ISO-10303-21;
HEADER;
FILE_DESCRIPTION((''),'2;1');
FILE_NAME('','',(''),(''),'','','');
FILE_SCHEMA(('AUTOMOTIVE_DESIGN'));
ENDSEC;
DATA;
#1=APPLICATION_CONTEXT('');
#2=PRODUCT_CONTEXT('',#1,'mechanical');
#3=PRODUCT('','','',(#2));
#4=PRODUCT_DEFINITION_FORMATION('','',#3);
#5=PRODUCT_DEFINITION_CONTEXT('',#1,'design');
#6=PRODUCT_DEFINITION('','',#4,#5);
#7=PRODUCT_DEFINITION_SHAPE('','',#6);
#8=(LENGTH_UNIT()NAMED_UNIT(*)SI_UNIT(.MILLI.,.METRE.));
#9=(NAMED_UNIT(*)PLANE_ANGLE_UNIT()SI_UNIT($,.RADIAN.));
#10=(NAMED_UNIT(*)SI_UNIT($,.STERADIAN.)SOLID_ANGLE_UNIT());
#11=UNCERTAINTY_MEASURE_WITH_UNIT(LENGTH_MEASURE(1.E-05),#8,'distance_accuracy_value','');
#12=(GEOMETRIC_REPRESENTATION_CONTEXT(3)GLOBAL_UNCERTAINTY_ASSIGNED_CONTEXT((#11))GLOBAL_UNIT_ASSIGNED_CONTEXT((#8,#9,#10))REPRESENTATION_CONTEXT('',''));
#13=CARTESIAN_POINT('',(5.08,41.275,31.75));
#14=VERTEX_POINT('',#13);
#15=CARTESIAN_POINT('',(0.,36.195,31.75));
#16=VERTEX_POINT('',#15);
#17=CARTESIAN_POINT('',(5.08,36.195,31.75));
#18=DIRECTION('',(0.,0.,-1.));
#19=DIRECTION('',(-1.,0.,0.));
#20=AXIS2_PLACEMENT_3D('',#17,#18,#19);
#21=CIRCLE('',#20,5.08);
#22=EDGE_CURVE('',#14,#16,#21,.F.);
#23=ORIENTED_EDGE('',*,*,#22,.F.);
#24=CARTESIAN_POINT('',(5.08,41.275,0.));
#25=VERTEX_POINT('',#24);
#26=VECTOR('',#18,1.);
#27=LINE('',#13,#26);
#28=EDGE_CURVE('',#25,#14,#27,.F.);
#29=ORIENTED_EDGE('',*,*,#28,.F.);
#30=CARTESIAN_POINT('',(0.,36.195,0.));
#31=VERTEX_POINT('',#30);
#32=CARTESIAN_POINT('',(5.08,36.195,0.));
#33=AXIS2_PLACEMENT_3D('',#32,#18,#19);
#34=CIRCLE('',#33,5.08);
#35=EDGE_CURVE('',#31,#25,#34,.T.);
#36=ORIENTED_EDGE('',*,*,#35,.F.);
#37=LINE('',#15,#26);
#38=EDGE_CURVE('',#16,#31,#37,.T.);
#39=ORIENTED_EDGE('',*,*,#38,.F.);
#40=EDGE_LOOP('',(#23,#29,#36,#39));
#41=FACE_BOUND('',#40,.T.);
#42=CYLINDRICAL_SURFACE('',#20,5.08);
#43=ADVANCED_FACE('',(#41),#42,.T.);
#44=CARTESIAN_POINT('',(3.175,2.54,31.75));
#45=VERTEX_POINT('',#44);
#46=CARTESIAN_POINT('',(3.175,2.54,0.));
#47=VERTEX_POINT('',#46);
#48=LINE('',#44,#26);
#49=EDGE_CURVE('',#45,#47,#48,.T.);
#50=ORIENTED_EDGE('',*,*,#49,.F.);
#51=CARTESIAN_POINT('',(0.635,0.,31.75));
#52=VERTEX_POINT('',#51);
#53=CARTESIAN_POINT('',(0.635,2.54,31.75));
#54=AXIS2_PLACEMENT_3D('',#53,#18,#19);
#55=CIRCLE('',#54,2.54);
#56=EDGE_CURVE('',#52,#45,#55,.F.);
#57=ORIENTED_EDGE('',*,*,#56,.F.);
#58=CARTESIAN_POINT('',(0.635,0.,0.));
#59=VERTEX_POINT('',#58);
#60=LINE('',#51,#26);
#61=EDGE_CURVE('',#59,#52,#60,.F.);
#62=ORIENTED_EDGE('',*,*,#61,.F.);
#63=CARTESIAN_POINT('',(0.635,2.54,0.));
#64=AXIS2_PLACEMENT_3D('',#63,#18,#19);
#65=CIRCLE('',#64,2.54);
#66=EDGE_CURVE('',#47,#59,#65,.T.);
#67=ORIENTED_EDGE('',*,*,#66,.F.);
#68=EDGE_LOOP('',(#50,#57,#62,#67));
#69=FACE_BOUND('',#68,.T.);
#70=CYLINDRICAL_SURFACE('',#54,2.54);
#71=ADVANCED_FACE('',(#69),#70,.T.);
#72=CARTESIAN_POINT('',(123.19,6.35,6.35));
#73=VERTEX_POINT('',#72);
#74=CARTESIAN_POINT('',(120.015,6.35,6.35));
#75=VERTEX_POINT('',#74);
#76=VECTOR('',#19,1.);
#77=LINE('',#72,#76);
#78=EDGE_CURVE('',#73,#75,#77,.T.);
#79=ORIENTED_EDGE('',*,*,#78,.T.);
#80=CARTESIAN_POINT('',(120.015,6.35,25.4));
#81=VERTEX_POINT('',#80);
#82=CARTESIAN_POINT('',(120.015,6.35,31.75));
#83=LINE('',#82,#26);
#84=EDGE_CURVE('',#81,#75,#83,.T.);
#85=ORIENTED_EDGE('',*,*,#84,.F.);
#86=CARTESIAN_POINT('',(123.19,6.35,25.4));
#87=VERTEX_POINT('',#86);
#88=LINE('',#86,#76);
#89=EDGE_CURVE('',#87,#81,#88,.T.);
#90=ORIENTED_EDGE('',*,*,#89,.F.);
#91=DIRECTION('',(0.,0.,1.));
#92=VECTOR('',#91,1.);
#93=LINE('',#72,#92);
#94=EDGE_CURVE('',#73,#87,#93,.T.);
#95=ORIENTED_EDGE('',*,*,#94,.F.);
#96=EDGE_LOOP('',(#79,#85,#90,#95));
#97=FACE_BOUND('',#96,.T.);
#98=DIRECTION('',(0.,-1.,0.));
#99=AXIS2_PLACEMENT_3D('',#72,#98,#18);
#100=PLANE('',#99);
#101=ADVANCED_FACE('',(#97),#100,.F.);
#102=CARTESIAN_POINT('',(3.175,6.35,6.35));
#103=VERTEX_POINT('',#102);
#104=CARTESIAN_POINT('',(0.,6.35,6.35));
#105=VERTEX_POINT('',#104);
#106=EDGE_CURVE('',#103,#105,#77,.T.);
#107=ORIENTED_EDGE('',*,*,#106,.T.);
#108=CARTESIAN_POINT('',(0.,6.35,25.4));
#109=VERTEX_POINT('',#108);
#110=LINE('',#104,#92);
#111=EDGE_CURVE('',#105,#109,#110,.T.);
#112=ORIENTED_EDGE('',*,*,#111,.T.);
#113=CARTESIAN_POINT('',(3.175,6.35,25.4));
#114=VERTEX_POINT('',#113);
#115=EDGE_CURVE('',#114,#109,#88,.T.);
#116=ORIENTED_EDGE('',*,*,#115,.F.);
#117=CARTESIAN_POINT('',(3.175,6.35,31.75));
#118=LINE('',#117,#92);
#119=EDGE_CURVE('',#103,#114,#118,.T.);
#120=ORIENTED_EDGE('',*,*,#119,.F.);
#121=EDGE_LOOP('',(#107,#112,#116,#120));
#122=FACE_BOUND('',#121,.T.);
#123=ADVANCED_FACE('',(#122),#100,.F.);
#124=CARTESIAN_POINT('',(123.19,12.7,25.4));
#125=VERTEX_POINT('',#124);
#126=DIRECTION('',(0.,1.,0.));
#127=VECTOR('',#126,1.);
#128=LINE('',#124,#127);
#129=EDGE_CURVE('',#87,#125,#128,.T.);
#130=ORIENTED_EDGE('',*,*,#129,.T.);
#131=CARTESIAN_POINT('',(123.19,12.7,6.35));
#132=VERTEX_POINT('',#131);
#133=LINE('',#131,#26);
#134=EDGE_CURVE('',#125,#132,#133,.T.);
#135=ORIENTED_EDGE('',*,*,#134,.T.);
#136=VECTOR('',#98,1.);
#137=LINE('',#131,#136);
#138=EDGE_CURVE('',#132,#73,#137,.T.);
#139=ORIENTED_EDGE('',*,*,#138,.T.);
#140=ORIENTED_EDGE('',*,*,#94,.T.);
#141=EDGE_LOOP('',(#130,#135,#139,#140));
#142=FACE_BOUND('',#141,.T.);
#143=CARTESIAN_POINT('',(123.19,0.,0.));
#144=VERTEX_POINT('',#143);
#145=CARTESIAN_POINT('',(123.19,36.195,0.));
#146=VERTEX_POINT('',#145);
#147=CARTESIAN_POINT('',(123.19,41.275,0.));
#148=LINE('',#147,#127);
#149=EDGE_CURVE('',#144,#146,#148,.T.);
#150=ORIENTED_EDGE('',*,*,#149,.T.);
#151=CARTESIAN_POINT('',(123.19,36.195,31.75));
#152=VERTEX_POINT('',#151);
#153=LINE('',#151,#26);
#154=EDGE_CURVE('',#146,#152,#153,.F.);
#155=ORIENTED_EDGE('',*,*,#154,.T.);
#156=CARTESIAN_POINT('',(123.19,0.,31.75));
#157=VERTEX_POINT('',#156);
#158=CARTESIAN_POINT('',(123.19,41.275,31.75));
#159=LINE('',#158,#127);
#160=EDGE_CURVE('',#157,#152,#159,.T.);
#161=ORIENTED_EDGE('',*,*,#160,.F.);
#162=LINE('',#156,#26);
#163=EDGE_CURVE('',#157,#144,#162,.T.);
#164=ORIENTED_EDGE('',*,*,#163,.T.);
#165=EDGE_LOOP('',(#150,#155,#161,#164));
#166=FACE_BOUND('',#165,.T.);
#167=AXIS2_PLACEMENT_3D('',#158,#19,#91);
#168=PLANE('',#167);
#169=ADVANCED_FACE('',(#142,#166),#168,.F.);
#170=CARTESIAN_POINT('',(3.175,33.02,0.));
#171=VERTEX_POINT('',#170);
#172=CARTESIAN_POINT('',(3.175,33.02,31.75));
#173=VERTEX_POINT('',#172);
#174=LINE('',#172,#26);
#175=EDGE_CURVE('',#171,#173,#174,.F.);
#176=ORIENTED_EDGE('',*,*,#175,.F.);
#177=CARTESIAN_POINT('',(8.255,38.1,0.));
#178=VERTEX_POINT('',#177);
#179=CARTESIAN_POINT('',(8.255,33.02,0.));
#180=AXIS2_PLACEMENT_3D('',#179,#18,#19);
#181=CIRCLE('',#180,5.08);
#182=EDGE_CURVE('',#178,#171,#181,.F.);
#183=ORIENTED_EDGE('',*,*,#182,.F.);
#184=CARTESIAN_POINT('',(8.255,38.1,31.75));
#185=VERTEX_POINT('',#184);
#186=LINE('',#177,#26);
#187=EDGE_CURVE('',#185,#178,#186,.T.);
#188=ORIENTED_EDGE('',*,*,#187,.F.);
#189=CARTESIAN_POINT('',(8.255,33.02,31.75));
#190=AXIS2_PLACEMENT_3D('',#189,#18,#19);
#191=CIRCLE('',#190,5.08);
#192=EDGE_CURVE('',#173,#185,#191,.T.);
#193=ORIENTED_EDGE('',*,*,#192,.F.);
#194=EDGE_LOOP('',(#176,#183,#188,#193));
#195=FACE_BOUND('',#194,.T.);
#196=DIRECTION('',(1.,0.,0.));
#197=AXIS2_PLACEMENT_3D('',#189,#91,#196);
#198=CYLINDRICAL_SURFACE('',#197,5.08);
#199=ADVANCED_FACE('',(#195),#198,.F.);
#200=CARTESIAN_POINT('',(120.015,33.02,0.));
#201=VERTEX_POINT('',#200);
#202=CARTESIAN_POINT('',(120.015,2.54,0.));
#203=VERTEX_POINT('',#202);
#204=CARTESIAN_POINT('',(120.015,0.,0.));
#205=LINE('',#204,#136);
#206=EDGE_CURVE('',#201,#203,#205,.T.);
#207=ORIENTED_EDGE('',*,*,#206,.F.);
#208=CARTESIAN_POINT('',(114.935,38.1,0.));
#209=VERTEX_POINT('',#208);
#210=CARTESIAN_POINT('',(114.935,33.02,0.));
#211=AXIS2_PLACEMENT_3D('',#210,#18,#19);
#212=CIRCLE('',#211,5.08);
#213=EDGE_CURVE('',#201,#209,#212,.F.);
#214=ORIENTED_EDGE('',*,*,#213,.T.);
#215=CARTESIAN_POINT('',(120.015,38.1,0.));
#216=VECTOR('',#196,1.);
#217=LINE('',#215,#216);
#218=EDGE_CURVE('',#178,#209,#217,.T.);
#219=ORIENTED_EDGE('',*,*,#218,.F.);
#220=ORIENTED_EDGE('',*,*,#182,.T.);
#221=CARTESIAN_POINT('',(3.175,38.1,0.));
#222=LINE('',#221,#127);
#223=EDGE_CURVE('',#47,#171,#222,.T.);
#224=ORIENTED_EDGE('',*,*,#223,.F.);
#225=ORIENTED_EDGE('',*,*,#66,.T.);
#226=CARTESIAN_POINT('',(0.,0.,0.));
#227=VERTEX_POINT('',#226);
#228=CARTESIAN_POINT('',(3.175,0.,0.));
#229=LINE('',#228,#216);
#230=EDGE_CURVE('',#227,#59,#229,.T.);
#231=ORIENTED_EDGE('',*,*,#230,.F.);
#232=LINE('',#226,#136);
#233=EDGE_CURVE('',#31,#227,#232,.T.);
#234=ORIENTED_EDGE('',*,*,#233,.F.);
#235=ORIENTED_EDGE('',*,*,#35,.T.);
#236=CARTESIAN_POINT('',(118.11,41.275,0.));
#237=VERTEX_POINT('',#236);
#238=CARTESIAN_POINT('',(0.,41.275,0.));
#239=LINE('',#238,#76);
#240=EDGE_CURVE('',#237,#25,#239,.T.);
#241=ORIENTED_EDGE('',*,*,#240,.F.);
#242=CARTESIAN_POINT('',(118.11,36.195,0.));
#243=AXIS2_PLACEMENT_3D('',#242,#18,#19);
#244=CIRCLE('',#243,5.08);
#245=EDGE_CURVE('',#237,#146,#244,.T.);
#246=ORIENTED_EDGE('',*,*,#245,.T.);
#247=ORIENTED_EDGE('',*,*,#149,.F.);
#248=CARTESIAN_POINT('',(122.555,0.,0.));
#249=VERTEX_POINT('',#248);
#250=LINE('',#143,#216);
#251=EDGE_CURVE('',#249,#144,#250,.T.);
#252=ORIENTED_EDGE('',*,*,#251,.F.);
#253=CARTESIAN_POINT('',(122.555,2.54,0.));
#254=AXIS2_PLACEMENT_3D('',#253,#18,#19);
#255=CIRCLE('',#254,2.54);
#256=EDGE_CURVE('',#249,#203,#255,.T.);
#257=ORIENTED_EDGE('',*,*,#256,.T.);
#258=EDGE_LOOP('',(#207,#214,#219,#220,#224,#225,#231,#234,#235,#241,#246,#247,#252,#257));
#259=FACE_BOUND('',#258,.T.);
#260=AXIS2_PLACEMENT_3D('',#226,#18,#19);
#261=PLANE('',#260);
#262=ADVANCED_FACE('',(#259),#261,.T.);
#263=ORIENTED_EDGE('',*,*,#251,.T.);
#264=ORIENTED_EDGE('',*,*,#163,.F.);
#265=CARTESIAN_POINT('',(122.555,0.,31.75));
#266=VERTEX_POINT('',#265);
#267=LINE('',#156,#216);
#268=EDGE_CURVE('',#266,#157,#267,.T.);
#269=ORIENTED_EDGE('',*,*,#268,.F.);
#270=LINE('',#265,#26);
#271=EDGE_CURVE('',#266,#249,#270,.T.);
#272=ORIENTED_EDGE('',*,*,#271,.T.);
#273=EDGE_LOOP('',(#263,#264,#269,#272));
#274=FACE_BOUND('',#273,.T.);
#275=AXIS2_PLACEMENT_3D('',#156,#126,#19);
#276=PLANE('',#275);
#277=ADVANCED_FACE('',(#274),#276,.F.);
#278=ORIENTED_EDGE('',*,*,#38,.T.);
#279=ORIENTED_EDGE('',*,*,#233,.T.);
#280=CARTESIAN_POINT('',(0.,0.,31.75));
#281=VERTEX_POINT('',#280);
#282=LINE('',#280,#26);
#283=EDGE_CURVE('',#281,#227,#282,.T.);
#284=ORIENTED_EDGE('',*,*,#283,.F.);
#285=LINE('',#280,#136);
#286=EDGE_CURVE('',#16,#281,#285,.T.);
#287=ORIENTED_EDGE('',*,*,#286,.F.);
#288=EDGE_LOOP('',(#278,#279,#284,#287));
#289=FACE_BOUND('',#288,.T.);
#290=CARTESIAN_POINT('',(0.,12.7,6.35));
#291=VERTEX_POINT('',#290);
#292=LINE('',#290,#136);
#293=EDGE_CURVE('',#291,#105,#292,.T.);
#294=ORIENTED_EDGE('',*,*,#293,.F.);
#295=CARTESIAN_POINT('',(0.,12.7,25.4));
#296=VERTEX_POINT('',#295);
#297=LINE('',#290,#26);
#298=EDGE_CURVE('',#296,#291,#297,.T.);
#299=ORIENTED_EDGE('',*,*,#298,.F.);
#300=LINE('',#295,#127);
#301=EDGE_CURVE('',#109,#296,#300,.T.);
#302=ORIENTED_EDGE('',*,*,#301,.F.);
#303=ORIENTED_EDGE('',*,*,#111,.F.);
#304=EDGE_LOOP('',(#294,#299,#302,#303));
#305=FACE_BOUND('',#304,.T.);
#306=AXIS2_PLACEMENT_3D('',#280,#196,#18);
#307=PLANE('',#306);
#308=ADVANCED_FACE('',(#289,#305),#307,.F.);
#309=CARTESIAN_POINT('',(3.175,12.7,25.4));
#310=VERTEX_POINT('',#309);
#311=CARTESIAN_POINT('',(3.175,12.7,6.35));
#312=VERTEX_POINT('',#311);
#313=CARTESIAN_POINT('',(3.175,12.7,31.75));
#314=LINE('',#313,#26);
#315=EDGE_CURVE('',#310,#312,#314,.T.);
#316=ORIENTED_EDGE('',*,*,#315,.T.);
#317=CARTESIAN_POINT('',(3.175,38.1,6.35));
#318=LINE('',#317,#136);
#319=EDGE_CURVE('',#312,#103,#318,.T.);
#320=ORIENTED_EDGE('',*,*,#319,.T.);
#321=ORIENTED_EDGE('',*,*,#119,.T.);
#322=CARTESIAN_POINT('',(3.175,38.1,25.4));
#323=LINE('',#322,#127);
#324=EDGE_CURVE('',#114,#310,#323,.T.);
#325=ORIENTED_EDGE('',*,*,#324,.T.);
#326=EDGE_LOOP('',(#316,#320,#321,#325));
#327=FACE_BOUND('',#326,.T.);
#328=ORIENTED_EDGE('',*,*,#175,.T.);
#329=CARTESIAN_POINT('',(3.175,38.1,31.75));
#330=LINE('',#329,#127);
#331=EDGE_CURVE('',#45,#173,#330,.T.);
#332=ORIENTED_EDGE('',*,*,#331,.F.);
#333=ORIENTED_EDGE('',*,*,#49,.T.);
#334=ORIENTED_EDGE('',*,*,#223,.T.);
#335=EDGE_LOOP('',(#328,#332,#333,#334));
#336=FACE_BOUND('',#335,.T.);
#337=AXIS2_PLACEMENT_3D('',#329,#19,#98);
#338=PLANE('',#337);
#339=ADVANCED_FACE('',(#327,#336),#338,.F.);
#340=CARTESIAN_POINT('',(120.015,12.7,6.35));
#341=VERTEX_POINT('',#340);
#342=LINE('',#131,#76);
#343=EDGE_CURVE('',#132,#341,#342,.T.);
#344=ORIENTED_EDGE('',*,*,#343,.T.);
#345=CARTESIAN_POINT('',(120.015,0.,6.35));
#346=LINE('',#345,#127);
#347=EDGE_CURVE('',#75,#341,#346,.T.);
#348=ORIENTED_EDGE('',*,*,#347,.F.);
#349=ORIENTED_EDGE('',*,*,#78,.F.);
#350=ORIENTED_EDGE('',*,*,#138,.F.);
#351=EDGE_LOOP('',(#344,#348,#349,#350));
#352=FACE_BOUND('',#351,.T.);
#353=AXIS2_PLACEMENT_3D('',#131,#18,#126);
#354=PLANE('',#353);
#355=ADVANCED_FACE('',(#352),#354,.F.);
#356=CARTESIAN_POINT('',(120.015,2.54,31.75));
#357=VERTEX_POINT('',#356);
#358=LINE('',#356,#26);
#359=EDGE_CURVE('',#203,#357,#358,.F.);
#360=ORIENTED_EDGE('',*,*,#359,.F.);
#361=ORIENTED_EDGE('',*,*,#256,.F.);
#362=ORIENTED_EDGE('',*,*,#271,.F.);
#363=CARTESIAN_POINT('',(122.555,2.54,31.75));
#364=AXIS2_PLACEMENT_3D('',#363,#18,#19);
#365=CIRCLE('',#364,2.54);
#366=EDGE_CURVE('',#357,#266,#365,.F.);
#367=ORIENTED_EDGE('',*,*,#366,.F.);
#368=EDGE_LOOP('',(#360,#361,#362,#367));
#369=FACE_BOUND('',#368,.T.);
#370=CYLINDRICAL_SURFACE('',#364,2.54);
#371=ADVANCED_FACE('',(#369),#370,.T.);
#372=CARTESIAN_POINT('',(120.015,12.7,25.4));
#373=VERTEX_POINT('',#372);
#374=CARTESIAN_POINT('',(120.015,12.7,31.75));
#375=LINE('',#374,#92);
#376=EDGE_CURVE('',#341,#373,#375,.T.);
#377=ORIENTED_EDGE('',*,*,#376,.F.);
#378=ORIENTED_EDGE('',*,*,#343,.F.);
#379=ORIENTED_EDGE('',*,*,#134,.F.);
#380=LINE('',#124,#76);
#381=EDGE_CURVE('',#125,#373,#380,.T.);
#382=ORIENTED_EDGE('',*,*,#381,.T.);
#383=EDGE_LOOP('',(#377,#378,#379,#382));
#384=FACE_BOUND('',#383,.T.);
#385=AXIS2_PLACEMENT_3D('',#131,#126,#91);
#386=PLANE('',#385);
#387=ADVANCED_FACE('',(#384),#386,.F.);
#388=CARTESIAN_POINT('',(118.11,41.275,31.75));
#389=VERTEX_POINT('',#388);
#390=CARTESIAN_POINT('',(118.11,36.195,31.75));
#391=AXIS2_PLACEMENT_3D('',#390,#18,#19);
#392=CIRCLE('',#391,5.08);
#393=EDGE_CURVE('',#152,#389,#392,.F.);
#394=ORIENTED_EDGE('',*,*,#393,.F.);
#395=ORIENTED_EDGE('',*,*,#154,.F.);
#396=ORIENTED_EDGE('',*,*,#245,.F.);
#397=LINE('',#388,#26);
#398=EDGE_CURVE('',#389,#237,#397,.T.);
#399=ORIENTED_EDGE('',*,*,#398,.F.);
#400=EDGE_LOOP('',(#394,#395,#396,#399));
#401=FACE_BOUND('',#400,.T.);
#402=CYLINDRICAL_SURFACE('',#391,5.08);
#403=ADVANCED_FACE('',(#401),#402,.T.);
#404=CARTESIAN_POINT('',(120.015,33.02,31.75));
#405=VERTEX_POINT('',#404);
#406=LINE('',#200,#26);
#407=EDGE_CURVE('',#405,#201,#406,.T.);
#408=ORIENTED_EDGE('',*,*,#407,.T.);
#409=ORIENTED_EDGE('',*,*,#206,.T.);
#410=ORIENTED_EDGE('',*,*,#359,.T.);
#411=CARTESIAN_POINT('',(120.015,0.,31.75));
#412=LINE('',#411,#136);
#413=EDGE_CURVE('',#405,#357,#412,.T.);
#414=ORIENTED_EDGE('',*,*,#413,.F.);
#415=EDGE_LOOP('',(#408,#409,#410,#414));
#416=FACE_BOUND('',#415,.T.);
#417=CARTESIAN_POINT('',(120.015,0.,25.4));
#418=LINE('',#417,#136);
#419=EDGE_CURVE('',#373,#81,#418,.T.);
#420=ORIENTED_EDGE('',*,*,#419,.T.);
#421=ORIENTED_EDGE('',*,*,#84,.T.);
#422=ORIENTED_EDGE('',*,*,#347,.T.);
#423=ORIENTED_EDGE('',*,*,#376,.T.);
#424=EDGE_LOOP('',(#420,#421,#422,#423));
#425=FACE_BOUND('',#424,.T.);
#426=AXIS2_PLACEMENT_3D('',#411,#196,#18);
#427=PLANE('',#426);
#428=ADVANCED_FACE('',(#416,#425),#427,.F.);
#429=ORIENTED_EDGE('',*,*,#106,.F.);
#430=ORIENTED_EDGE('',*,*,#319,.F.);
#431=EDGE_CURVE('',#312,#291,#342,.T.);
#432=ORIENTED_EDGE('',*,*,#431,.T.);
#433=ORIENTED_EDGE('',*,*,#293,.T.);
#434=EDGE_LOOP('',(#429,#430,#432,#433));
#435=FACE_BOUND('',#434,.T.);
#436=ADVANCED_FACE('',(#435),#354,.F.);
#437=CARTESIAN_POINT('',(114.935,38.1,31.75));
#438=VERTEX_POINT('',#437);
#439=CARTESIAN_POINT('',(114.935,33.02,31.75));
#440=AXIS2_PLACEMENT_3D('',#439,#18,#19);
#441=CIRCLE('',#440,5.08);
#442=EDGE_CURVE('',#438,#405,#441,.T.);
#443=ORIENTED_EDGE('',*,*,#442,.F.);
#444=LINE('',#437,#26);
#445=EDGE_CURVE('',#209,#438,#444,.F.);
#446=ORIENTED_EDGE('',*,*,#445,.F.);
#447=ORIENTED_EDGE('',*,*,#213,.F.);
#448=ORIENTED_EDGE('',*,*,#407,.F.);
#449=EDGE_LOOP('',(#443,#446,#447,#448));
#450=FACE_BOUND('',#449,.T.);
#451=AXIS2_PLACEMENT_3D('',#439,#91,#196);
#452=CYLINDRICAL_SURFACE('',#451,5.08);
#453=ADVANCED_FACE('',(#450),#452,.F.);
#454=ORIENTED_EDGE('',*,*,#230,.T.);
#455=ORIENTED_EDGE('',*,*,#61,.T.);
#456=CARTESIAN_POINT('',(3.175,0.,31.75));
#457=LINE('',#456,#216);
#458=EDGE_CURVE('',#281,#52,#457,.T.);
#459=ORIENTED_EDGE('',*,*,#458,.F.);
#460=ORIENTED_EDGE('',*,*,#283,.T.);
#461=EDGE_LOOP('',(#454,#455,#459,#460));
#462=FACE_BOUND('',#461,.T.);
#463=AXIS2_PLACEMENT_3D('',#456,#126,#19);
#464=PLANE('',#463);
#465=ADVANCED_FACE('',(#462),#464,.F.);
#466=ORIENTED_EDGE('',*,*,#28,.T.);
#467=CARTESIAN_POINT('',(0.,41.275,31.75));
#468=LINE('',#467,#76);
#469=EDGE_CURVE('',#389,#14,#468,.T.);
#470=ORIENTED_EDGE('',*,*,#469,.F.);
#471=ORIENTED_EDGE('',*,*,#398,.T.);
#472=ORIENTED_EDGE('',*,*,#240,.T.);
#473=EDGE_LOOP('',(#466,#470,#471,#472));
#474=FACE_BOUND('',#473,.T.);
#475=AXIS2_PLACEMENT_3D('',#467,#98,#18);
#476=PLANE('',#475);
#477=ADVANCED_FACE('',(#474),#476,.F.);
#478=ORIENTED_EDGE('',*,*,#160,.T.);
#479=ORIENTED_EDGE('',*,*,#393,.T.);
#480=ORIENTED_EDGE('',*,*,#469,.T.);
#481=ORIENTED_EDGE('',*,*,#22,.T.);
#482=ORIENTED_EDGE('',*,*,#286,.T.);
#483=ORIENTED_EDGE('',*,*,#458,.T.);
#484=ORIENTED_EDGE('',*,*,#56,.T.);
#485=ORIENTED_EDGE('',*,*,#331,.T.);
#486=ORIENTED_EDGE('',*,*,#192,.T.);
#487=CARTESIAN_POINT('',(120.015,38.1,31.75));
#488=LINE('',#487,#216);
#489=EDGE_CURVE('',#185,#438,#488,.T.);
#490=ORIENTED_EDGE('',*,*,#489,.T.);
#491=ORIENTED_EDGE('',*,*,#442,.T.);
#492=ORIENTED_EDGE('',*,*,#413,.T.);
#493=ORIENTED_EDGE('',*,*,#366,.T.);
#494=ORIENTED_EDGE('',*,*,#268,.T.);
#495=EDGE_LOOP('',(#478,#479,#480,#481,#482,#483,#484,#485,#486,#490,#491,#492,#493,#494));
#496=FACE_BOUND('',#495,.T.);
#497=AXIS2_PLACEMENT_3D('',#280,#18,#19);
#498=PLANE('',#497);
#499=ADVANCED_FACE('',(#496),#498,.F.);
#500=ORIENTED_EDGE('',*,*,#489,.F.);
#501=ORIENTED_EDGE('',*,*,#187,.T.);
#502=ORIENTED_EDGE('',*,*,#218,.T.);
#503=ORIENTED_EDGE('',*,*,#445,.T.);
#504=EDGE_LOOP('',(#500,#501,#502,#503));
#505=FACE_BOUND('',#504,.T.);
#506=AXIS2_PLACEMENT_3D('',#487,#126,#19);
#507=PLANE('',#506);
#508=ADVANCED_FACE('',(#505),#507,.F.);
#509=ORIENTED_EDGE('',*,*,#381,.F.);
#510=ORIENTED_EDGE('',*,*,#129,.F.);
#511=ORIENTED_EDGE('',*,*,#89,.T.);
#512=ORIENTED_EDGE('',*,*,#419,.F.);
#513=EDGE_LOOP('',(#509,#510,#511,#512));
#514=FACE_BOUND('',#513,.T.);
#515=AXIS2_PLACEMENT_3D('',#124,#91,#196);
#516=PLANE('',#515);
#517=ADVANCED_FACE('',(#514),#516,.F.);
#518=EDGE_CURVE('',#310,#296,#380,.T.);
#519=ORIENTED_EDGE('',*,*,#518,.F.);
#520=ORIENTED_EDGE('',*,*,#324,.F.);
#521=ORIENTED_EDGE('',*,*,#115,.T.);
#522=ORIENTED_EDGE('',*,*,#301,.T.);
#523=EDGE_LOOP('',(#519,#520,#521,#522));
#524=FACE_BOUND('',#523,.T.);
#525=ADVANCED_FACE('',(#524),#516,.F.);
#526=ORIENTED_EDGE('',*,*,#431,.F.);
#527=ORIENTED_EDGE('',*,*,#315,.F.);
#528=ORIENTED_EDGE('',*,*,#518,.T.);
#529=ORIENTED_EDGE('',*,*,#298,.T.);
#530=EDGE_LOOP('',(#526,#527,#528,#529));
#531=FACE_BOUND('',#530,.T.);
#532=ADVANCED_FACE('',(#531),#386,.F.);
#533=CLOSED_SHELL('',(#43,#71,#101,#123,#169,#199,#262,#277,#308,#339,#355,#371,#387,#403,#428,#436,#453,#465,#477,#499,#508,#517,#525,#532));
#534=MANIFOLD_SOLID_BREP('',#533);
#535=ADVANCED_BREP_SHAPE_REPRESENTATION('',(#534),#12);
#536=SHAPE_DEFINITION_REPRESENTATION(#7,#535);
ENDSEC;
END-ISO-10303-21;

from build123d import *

# Parameters (mm, degrees)
BOSS_EXTRUDE1_DEPTH = 31.75
SKETCH2_W           = 19.05
SKETCH2_H           = 6.35
CUT_EXTRUDE1_DEPTH  = 134.744025007
FILLET1_R           = 5.08
FILLET2_R           = 2.54


with BuildPart() as part:
    # Sketch1 → Boss-Extrude1 (new body)
    with BuildSketch(Plane.XY):
        Polygon((0, 0), (0, 41.275), (123.19, 41.275), (123.19, 0), (120.015, 0), (120.015, 38.1), (3.175, 38.1), (3.175, 0), align=None)
    extrude(amount=BOSS_EXTRUDE1_DEPTH)

    # Sketch2 → Cut-Extrude1 (cut, through all)
    with BuildSketch(Plane.ZY):
        with Locations((15.875, 9.525)):
            Rectangle(SKETCH2_W, SKETCH2_H)
    extrude(amount=-CUT_EXTRUDE1_DEPTH, mode=Mode.SUBTRACT)

    # Fillet1
    fillet1_edges = [part.edges().sort_by_distance(p)[0] for p in [
        (0, 41.275, 15.875),
        (123.19, 41.275, 15.875),
        (120.015, 38.1, 15.875),
        (3.175, 38.1, 15.875),
    ]]
    fillet(fillet1_edges, radius=FILLET1_R)

    # Fillet2
    fillet2_edges = [part.edges().sort_by_distance(p)[0] for p in [
        (120.015, 0, 15.875),
        (3.175, 0, 15.875),
    ]]
    fillet(fillet2_edges, radius=FILLET2_R)


solid = part.part
